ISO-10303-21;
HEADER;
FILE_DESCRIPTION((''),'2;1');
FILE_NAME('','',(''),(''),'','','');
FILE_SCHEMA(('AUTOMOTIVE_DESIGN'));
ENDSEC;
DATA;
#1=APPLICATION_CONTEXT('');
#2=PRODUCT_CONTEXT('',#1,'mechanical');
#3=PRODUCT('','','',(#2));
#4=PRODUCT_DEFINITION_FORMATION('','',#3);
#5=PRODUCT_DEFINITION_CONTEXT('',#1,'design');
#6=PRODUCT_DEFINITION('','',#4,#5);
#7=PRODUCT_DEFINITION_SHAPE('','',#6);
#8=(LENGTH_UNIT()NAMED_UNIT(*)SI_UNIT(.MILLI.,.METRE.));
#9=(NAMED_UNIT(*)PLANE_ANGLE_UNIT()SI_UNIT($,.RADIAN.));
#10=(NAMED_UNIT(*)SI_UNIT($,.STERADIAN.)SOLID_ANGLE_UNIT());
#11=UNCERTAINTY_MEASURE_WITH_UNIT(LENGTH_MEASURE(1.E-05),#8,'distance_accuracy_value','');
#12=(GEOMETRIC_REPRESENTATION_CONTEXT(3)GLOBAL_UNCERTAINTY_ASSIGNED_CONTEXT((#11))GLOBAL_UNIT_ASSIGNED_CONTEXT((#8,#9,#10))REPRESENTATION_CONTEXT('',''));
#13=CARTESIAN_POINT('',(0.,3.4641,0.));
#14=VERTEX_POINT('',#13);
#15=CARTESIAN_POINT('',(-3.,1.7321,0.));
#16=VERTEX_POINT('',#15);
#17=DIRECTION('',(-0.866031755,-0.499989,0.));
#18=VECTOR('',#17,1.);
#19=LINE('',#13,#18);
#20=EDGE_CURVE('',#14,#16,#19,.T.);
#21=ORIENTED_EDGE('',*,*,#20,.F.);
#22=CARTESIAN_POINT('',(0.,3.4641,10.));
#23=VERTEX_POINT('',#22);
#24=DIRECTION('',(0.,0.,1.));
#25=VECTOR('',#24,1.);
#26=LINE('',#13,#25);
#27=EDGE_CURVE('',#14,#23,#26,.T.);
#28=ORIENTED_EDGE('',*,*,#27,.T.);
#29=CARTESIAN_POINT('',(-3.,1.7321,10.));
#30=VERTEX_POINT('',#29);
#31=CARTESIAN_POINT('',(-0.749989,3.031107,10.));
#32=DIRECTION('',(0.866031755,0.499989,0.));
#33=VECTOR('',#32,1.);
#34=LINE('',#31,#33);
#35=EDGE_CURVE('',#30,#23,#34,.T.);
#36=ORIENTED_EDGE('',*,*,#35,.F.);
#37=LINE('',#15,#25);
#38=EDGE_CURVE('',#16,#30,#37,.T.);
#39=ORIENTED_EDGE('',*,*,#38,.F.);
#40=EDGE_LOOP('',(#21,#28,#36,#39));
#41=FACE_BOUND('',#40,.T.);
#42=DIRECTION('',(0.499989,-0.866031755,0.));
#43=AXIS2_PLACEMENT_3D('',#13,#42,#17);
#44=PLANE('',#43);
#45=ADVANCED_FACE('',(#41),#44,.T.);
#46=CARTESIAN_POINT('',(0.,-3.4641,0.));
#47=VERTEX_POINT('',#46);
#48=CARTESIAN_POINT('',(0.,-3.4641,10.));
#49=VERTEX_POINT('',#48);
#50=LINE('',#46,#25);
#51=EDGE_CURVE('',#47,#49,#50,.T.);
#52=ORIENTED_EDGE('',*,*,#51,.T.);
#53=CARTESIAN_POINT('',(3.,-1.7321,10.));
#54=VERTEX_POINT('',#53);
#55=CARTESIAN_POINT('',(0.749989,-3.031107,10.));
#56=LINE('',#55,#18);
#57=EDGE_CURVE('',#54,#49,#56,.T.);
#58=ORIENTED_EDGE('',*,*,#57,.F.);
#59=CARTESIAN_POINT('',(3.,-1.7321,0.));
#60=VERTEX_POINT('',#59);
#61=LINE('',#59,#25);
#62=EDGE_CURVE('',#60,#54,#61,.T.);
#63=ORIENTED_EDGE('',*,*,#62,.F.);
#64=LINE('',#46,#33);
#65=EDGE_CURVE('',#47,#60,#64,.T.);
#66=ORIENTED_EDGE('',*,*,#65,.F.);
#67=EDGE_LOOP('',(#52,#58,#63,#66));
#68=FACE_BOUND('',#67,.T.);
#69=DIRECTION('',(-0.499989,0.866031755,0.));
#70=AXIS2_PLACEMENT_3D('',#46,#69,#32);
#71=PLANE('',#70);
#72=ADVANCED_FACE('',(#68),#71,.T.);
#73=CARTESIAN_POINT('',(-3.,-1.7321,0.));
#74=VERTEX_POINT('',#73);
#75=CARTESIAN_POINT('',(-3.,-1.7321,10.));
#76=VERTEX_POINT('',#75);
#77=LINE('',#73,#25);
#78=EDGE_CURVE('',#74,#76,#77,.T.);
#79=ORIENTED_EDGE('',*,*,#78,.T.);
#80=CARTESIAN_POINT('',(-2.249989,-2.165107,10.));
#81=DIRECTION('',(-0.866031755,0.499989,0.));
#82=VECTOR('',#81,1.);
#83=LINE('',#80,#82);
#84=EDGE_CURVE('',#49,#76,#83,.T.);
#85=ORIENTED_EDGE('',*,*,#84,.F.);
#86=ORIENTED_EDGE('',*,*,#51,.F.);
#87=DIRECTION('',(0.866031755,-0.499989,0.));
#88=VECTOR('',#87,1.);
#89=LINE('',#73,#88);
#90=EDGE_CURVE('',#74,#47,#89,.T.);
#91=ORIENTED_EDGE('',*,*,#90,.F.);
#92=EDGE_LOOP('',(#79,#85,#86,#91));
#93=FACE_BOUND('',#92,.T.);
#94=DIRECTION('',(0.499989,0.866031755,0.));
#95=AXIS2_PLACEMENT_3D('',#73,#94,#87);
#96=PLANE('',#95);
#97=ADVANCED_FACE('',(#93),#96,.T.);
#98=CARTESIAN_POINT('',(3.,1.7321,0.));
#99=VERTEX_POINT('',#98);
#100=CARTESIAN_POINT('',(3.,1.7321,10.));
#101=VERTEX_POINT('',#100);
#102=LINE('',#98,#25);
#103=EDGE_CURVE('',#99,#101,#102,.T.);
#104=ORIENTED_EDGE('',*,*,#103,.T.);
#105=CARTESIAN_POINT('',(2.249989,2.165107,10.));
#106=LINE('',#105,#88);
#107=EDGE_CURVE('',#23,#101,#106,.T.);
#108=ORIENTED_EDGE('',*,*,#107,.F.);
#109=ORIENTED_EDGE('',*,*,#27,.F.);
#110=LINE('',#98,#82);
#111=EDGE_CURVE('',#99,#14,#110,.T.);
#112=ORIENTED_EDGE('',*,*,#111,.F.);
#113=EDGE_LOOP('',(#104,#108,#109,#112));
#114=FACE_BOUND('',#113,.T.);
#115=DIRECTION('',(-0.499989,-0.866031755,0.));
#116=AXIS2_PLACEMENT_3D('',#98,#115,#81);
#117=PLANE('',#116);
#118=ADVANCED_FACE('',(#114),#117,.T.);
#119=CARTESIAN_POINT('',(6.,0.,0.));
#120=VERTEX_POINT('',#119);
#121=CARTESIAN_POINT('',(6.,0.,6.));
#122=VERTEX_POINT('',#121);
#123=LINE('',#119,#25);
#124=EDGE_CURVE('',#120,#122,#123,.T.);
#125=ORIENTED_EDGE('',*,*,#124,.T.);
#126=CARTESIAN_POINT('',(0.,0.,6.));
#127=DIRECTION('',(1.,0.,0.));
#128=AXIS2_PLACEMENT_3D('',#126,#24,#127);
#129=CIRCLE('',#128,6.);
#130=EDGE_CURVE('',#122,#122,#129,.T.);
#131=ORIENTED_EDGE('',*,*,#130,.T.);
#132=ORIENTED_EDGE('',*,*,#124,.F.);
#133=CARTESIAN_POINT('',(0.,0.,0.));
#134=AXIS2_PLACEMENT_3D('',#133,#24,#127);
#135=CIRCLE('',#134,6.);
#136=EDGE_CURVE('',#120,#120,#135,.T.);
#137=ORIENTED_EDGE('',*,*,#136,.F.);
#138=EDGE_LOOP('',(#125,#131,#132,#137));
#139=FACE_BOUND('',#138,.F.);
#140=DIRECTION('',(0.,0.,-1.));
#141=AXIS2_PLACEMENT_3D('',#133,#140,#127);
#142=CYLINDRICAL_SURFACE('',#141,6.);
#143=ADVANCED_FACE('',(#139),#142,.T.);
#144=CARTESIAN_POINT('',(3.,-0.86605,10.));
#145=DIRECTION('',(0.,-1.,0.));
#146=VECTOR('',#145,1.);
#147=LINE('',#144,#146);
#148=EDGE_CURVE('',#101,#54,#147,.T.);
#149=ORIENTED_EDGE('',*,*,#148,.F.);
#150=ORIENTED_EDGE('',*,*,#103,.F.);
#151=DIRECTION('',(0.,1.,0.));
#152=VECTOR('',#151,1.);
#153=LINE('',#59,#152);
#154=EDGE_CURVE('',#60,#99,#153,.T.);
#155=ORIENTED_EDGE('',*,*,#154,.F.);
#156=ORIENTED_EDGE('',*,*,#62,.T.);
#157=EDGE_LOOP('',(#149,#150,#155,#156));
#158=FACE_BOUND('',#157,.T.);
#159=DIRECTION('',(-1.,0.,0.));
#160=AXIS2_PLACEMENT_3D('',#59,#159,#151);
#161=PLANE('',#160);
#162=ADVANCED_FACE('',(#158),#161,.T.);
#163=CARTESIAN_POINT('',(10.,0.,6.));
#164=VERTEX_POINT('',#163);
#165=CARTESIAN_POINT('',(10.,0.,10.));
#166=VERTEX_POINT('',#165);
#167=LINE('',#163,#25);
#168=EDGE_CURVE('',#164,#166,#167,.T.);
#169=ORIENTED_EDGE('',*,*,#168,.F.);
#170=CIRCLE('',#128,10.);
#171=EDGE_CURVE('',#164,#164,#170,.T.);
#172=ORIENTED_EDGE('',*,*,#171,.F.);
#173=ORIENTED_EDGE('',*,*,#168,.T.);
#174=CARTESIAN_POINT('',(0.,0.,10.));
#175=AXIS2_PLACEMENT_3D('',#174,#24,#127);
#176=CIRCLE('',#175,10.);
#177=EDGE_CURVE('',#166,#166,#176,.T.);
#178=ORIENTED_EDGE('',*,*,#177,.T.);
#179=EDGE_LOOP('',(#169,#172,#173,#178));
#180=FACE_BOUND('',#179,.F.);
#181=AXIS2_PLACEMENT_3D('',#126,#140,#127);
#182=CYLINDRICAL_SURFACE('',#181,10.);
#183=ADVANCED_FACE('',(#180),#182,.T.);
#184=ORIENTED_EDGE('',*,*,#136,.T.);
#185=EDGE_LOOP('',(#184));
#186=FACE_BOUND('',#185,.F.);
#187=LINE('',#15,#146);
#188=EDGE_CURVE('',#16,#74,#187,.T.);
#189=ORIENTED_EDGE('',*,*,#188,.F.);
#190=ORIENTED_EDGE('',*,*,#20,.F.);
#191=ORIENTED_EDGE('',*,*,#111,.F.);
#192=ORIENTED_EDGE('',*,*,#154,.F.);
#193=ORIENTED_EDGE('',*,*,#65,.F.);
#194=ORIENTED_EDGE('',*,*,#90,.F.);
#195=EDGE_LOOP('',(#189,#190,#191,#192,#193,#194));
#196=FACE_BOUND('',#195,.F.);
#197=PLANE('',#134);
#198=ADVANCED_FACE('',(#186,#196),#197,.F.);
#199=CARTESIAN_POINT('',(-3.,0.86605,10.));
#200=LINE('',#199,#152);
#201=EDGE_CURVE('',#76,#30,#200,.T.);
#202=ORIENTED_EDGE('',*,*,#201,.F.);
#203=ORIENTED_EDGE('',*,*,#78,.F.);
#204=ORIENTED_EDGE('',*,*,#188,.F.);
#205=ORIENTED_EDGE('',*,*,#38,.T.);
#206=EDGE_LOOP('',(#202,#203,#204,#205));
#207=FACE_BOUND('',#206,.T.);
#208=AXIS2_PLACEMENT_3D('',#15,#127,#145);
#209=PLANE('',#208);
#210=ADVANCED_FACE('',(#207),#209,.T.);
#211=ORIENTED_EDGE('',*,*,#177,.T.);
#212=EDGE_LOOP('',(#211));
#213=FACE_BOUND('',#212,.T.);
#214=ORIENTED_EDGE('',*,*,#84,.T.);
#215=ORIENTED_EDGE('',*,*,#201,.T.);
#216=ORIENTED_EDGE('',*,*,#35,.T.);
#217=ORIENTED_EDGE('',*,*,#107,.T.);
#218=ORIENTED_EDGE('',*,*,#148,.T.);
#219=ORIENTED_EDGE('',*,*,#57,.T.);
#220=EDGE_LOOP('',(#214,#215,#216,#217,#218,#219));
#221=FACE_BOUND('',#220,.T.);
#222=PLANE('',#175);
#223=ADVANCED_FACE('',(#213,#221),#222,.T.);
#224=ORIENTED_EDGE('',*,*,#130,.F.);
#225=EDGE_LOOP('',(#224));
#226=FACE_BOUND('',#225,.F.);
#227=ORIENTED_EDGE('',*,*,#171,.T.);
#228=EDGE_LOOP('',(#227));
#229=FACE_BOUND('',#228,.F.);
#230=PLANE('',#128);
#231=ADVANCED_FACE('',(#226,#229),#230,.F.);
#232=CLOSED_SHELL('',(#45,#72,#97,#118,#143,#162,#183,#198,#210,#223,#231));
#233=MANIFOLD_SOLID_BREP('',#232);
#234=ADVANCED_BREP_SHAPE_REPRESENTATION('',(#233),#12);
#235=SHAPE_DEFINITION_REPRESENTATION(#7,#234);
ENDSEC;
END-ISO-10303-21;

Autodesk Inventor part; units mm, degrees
ref_plane "YZ Plane" through (0, 0, 0) normal (1, 0, 0) x (0, 1, 0)
ref_plane "XZ Plane" through (0, 0, 0) normal (0, 1, 0) x (-1, 0, 0)
ref_plane "XY Plane" through (0, 0, 0) normal (0, 0, 1) x (1, 0, 0)
sketch "Boceto1" plane through (0, 0, 0) normal (0, 0, 1) x (1, 0, 0)
  circle A0 centre (0, 0) radius 6
  dimension "d0" = 12
extrude "Extrusión1" add sketch "Boceto1" along normal blind 6
sketch "Boceto2" plane through (0, 0, 6) normal (0, 0, 1) x (1, 0, 0)
  circle A0 centre (0, 0) radius 10
  dimension "d3" = 20
extrude "Extrusión2" add sketch "Boceto2" along normal blind 4
sketch "Boceto3" plane through (0, 0, 0) normal (0, 0, -1) x (-1, 0, 0)
  line L0 (0, 3.4641) -> (3, 1.7321)
  line L1 (3, 1.7321) -> (3, -1.7321)
  line L2 (3, -1.7321) -> (0, -3.4641)
  line L3 (0, -3.4641) -> (-3, -1.7321)
  line L4 (-3, -1.7321) -> (-3, 1.7321)
  line L5 (-3, 1.7321) -> (0, 3.4641)
  point P0 (0, 0)
  point P1 (0, 0)
  point P2 (3, 0)
  dimension "d6" = 6
extrude "Extrusión3" cut sketch "Boceto3" against normal through all
properties part number "SoporteEje"
